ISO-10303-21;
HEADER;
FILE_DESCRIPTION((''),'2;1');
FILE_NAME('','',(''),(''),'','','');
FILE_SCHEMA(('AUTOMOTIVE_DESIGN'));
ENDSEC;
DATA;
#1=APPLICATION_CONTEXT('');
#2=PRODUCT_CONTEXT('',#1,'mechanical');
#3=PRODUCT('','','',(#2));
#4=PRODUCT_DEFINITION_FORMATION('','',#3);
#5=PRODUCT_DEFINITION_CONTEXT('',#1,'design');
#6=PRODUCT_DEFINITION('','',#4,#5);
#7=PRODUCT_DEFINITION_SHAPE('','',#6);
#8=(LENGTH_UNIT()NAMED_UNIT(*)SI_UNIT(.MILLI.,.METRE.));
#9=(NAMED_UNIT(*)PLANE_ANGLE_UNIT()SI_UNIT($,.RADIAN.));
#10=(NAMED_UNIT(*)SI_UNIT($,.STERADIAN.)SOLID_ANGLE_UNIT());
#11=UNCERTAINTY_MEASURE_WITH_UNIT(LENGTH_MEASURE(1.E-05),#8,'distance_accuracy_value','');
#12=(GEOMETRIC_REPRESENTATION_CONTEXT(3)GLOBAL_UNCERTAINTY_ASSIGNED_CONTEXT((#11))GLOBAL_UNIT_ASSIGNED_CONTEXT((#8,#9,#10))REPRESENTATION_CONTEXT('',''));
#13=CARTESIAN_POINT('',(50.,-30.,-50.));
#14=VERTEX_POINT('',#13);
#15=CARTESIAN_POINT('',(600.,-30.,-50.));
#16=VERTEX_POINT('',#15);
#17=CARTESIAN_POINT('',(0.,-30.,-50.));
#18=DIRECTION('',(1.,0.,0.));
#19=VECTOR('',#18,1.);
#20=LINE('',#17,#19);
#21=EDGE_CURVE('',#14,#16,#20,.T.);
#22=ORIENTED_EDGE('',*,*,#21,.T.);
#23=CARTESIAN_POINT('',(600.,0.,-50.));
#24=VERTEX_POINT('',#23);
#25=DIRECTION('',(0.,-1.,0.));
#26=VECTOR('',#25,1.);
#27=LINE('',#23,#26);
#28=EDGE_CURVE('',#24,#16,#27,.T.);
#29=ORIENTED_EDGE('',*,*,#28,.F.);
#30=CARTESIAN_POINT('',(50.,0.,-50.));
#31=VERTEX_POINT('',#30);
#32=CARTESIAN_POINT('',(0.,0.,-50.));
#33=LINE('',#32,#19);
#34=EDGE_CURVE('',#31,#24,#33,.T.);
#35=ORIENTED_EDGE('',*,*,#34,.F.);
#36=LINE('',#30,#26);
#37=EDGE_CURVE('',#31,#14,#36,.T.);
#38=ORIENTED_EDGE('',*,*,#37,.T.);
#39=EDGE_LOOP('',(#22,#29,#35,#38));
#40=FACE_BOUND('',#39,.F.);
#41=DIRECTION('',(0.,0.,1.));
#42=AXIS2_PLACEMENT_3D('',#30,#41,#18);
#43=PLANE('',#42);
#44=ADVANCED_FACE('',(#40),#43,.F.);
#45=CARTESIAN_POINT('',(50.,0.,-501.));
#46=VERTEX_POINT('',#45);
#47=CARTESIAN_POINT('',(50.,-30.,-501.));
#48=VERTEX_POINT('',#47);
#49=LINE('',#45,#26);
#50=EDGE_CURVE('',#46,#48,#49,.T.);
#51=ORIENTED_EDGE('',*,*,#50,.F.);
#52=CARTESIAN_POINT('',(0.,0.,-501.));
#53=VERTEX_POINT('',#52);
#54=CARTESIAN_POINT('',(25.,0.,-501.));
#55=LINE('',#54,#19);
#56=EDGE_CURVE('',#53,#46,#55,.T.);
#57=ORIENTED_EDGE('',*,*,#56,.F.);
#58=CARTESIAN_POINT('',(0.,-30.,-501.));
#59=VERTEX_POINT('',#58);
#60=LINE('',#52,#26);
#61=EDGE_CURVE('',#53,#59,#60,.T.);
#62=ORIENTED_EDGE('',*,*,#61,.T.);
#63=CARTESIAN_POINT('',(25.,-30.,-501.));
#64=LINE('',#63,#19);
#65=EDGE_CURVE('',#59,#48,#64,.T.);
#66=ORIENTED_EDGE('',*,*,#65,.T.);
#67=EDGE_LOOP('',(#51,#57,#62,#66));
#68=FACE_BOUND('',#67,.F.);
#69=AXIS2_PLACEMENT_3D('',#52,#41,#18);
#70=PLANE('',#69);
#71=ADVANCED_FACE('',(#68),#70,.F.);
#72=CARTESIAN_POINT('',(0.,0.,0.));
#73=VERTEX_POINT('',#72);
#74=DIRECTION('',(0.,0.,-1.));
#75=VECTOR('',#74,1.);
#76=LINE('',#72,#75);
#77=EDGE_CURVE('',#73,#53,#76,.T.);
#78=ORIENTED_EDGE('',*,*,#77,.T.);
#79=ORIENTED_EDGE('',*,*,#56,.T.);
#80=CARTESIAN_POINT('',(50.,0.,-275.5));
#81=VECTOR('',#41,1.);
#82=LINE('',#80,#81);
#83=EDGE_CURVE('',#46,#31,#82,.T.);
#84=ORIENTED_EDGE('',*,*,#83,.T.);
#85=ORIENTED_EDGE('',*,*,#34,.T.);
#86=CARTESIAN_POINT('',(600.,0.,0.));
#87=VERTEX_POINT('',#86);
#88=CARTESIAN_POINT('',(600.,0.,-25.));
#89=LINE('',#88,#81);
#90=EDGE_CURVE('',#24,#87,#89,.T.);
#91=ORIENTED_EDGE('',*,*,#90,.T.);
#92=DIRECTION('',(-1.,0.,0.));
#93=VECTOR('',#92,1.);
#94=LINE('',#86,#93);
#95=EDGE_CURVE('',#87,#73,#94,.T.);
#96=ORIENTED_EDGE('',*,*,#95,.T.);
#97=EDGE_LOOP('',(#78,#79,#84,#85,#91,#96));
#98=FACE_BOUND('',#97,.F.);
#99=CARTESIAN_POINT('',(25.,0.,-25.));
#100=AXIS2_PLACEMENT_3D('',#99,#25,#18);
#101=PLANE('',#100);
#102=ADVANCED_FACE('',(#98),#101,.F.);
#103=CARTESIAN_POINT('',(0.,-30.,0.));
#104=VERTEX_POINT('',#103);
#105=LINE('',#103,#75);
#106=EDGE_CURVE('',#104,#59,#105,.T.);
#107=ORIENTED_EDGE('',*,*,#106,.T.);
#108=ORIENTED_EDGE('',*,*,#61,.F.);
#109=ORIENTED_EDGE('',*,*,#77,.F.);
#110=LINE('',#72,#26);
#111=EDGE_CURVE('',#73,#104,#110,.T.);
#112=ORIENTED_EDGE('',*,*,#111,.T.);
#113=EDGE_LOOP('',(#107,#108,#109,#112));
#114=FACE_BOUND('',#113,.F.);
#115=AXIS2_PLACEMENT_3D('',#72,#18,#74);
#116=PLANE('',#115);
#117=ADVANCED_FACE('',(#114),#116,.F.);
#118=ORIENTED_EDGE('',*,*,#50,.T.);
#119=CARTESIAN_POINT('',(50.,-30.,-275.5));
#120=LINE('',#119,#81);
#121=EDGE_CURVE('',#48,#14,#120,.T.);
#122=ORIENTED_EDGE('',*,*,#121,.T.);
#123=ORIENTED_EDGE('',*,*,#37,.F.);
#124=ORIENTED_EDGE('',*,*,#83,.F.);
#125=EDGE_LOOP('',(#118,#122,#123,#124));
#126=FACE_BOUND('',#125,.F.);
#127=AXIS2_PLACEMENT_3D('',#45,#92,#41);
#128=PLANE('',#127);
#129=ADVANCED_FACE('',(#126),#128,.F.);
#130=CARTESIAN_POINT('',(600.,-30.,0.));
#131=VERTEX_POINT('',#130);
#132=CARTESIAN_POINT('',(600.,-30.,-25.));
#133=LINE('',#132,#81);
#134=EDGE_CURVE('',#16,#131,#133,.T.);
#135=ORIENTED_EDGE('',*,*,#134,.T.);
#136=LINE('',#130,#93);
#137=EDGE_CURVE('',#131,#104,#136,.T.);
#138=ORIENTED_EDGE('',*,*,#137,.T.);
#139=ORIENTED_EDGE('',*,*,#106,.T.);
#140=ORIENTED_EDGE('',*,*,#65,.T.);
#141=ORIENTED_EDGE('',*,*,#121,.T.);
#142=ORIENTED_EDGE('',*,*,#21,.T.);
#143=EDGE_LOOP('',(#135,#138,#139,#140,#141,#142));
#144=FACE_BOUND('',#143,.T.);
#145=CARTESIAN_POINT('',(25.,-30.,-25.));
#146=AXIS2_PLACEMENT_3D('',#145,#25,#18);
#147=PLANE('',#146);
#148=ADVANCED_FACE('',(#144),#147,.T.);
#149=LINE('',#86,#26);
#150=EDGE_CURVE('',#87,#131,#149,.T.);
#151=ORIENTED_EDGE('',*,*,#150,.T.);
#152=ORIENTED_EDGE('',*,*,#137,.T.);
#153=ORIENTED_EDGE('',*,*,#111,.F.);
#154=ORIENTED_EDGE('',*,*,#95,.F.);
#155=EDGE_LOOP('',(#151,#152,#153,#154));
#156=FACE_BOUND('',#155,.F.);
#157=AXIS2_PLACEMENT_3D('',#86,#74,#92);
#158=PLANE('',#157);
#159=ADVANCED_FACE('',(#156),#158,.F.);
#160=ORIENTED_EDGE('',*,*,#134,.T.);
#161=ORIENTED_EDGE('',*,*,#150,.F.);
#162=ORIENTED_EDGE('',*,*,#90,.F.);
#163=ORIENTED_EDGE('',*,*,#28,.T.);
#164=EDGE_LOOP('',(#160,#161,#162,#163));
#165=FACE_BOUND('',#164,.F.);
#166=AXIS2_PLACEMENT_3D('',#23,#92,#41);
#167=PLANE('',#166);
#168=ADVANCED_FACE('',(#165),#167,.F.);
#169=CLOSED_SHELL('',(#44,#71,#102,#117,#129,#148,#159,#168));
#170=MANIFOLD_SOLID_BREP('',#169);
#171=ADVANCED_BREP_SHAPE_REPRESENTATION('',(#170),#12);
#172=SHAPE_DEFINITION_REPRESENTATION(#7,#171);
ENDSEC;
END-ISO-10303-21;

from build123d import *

# Parameters (mm, degrees)
F0_W     = 50
F0_H     = 50
F0_W_2   = 550
F0_H_2   = 451
F1_DEPTH = 30


with BuildPart() as f1:
    # F0 (on Front) → F1 (new body)
    with BuildSketch(Plane.XZ):
        with Locations((25, -25)):
            Rectangle(F0_W, F0_H)
        with Locations((325, -25)):
            Rectangle(F0_W_2, F0_H)
        with Locations((25, -275.5)):
            Rectangle(F0_W, F0_H_2)
    extrude(amount=F1_DEPTH)


solid = f1.part
